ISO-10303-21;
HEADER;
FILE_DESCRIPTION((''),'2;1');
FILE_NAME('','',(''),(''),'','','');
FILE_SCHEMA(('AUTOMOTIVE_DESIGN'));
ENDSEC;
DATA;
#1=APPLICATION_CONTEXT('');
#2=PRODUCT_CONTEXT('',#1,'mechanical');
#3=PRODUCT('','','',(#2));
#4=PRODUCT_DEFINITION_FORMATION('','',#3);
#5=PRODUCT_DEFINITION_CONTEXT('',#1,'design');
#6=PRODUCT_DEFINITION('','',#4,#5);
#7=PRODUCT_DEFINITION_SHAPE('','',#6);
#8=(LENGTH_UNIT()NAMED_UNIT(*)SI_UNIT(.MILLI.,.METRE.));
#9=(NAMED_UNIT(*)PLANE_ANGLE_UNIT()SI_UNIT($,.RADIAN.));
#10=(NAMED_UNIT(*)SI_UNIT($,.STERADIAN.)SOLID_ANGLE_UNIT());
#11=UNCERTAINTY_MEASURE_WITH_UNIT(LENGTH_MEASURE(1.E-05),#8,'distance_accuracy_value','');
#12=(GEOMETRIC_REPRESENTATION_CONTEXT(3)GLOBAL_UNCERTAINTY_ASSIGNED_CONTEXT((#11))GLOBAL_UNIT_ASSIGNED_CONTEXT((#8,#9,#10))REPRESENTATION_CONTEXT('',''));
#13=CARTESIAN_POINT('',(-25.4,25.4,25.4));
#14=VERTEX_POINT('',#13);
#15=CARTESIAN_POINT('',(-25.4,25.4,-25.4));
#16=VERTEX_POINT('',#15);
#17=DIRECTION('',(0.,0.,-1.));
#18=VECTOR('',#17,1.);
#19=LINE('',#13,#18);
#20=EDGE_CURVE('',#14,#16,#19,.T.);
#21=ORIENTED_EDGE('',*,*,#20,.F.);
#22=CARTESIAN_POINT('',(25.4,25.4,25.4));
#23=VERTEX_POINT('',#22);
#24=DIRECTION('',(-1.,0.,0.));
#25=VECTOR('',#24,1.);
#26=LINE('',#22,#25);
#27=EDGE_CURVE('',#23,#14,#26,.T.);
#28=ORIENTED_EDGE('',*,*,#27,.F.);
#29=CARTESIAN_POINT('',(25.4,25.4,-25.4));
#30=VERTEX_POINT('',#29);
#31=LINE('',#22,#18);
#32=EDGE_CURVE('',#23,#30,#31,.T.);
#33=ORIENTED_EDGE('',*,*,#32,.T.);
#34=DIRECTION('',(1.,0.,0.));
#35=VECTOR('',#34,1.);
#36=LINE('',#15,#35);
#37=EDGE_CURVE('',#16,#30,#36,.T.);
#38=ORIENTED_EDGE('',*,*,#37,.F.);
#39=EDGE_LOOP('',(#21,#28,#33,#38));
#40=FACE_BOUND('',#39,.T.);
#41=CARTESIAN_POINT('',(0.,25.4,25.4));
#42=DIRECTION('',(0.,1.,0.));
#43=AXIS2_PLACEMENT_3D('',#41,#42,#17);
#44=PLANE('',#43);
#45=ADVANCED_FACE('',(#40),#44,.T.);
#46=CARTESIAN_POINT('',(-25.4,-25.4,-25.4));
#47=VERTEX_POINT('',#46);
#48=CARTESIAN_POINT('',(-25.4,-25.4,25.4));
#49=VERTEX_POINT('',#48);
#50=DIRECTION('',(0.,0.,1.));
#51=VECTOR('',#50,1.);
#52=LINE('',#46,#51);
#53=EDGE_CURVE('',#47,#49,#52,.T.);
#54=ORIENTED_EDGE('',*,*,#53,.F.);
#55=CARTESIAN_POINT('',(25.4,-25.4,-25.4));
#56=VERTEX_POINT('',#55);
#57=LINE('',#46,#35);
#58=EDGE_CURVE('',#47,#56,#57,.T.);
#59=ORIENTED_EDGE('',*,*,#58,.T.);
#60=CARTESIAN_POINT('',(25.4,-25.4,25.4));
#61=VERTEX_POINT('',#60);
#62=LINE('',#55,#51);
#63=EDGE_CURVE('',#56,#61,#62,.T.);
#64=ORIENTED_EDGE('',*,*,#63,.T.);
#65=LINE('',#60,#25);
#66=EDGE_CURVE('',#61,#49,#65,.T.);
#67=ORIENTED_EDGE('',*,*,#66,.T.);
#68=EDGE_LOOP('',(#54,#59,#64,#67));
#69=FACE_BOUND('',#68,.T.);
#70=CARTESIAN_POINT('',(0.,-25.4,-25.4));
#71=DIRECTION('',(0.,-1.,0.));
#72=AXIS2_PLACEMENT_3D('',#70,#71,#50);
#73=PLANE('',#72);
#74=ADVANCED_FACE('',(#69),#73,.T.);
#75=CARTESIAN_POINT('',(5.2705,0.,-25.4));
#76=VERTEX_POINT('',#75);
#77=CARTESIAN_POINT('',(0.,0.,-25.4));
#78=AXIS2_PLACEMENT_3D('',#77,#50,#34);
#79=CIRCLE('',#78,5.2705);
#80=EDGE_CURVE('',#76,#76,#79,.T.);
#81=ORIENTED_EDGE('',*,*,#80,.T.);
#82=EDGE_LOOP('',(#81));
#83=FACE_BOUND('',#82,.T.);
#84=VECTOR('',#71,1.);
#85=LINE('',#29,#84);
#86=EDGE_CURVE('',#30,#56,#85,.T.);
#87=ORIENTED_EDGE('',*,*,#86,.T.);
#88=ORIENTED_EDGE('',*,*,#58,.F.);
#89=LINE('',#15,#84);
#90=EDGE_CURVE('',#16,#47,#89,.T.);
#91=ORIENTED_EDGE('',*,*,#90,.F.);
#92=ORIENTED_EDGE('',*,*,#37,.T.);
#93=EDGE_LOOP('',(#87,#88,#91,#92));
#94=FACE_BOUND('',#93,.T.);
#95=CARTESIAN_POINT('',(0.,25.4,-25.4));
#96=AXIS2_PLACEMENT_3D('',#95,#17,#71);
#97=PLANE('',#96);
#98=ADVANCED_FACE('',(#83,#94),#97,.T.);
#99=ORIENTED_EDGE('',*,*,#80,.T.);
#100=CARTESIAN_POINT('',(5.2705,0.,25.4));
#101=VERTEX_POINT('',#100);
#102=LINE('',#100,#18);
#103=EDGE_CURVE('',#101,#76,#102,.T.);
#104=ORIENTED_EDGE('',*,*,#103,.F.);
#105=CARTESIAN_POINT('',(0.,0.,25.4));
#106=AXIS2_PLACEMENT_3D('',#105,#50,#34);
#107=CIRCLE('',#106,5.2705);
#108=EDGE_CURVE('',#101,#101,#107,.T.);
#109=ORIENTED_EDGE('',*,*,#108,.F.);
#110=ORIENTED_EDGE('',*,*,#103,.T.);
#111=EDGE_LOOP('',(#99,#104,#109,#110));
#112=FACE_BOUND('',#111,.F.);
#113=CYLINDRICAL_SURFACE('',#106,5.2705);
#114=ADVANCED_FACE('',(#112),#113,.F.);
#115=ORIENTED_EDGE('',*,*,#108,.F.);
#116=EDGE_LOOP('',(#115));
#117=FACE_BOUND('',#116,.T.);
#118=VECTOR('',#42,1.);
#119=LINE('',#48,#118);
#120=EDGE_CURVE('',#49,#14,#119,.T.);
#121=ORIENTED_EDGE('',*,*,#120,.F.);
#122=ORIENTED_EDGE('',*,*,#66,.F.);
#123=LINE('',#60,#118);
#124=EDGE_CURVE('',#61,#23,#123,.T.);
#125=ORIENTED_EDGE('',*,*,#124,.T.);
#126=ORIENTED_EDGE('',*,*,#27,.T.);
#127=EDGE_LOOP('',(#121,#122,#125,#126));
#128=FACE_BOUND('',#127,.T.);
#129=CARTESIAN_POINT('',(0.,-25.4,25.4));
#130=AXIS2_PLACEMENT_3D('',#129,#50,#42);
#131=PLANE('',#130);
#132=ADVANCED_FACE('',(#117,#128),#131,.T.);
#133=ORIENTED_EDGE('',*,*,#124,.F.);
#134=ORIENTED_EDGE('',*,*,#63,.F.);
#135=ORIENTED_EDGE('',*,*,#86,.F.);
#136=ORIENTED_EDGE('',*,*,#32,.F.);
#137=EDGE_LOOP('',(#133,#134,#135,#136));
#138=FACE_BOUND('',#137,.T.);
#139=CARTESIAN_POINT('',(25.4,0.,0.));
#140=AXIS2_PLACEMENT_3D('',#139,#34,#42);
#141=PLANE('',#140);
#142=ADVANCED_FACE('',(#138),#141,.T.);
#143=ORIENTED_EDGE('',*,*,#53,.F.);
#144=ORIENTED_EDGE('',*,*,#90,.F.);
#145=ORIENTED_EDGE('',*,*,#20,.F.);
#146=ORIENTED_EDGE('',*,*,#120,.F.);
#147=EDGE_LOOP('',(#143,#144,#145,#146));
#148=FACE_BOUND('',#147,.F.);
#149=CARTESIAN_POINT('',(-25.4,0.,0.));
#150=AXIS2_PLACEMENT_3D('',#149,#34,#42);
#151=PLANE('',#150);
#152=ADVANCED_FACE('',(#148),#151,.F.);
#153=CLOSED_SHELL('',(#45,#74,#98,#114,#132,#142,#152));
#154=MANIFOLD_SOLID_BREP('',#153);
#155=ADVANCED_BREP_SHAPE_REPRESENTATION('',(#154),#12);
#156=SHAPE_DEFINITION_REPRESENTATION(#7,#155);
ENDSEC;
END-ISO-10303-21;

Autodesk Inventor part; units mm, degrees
ref_plane "XY Plane" through (0, 0, 0) normal (0, 0, 1) x (1, 0, 0)
sketch "Sketch1" plane through (0, 0, 0) normal (1, 0, 0) x (0, 1, 0)
  line L0 (-25.4, -25.4) -> (-25.4, 25.4)
  line L1 (-25.4, 25.4) -> (25.4, 25.4)
  line L2 (25.4, 25.4) -> (25.4, -25.4)
  line L3 (25.4, -25.4) -> (-25.4, -25.4)
  line L4 (-25.4, -25.4) -> (25.4, 25.4) construction
  line L5 (-25.4, 25.4) -> (25.4, -25.4) construction
  point P0 (0, 0)
  dimension "d0" = 50.8
  dimension "d1" = 50.8
extrude "Extrusion1" add sketch "Sketch1" along normal mid plane 50.8
sketch "Sketch2" plane through (-25.4, -25.4, 25.4) normal (0, 0, 1) x (1, 0, 0)
  circle A0 centre (25.4, 25.4) radius 5.2705
  dimension "d4" = 10.541
extrude "Extrusion2" cut sketch "Sketch2" against normal through all
properties part number "cylinderForCopy"
